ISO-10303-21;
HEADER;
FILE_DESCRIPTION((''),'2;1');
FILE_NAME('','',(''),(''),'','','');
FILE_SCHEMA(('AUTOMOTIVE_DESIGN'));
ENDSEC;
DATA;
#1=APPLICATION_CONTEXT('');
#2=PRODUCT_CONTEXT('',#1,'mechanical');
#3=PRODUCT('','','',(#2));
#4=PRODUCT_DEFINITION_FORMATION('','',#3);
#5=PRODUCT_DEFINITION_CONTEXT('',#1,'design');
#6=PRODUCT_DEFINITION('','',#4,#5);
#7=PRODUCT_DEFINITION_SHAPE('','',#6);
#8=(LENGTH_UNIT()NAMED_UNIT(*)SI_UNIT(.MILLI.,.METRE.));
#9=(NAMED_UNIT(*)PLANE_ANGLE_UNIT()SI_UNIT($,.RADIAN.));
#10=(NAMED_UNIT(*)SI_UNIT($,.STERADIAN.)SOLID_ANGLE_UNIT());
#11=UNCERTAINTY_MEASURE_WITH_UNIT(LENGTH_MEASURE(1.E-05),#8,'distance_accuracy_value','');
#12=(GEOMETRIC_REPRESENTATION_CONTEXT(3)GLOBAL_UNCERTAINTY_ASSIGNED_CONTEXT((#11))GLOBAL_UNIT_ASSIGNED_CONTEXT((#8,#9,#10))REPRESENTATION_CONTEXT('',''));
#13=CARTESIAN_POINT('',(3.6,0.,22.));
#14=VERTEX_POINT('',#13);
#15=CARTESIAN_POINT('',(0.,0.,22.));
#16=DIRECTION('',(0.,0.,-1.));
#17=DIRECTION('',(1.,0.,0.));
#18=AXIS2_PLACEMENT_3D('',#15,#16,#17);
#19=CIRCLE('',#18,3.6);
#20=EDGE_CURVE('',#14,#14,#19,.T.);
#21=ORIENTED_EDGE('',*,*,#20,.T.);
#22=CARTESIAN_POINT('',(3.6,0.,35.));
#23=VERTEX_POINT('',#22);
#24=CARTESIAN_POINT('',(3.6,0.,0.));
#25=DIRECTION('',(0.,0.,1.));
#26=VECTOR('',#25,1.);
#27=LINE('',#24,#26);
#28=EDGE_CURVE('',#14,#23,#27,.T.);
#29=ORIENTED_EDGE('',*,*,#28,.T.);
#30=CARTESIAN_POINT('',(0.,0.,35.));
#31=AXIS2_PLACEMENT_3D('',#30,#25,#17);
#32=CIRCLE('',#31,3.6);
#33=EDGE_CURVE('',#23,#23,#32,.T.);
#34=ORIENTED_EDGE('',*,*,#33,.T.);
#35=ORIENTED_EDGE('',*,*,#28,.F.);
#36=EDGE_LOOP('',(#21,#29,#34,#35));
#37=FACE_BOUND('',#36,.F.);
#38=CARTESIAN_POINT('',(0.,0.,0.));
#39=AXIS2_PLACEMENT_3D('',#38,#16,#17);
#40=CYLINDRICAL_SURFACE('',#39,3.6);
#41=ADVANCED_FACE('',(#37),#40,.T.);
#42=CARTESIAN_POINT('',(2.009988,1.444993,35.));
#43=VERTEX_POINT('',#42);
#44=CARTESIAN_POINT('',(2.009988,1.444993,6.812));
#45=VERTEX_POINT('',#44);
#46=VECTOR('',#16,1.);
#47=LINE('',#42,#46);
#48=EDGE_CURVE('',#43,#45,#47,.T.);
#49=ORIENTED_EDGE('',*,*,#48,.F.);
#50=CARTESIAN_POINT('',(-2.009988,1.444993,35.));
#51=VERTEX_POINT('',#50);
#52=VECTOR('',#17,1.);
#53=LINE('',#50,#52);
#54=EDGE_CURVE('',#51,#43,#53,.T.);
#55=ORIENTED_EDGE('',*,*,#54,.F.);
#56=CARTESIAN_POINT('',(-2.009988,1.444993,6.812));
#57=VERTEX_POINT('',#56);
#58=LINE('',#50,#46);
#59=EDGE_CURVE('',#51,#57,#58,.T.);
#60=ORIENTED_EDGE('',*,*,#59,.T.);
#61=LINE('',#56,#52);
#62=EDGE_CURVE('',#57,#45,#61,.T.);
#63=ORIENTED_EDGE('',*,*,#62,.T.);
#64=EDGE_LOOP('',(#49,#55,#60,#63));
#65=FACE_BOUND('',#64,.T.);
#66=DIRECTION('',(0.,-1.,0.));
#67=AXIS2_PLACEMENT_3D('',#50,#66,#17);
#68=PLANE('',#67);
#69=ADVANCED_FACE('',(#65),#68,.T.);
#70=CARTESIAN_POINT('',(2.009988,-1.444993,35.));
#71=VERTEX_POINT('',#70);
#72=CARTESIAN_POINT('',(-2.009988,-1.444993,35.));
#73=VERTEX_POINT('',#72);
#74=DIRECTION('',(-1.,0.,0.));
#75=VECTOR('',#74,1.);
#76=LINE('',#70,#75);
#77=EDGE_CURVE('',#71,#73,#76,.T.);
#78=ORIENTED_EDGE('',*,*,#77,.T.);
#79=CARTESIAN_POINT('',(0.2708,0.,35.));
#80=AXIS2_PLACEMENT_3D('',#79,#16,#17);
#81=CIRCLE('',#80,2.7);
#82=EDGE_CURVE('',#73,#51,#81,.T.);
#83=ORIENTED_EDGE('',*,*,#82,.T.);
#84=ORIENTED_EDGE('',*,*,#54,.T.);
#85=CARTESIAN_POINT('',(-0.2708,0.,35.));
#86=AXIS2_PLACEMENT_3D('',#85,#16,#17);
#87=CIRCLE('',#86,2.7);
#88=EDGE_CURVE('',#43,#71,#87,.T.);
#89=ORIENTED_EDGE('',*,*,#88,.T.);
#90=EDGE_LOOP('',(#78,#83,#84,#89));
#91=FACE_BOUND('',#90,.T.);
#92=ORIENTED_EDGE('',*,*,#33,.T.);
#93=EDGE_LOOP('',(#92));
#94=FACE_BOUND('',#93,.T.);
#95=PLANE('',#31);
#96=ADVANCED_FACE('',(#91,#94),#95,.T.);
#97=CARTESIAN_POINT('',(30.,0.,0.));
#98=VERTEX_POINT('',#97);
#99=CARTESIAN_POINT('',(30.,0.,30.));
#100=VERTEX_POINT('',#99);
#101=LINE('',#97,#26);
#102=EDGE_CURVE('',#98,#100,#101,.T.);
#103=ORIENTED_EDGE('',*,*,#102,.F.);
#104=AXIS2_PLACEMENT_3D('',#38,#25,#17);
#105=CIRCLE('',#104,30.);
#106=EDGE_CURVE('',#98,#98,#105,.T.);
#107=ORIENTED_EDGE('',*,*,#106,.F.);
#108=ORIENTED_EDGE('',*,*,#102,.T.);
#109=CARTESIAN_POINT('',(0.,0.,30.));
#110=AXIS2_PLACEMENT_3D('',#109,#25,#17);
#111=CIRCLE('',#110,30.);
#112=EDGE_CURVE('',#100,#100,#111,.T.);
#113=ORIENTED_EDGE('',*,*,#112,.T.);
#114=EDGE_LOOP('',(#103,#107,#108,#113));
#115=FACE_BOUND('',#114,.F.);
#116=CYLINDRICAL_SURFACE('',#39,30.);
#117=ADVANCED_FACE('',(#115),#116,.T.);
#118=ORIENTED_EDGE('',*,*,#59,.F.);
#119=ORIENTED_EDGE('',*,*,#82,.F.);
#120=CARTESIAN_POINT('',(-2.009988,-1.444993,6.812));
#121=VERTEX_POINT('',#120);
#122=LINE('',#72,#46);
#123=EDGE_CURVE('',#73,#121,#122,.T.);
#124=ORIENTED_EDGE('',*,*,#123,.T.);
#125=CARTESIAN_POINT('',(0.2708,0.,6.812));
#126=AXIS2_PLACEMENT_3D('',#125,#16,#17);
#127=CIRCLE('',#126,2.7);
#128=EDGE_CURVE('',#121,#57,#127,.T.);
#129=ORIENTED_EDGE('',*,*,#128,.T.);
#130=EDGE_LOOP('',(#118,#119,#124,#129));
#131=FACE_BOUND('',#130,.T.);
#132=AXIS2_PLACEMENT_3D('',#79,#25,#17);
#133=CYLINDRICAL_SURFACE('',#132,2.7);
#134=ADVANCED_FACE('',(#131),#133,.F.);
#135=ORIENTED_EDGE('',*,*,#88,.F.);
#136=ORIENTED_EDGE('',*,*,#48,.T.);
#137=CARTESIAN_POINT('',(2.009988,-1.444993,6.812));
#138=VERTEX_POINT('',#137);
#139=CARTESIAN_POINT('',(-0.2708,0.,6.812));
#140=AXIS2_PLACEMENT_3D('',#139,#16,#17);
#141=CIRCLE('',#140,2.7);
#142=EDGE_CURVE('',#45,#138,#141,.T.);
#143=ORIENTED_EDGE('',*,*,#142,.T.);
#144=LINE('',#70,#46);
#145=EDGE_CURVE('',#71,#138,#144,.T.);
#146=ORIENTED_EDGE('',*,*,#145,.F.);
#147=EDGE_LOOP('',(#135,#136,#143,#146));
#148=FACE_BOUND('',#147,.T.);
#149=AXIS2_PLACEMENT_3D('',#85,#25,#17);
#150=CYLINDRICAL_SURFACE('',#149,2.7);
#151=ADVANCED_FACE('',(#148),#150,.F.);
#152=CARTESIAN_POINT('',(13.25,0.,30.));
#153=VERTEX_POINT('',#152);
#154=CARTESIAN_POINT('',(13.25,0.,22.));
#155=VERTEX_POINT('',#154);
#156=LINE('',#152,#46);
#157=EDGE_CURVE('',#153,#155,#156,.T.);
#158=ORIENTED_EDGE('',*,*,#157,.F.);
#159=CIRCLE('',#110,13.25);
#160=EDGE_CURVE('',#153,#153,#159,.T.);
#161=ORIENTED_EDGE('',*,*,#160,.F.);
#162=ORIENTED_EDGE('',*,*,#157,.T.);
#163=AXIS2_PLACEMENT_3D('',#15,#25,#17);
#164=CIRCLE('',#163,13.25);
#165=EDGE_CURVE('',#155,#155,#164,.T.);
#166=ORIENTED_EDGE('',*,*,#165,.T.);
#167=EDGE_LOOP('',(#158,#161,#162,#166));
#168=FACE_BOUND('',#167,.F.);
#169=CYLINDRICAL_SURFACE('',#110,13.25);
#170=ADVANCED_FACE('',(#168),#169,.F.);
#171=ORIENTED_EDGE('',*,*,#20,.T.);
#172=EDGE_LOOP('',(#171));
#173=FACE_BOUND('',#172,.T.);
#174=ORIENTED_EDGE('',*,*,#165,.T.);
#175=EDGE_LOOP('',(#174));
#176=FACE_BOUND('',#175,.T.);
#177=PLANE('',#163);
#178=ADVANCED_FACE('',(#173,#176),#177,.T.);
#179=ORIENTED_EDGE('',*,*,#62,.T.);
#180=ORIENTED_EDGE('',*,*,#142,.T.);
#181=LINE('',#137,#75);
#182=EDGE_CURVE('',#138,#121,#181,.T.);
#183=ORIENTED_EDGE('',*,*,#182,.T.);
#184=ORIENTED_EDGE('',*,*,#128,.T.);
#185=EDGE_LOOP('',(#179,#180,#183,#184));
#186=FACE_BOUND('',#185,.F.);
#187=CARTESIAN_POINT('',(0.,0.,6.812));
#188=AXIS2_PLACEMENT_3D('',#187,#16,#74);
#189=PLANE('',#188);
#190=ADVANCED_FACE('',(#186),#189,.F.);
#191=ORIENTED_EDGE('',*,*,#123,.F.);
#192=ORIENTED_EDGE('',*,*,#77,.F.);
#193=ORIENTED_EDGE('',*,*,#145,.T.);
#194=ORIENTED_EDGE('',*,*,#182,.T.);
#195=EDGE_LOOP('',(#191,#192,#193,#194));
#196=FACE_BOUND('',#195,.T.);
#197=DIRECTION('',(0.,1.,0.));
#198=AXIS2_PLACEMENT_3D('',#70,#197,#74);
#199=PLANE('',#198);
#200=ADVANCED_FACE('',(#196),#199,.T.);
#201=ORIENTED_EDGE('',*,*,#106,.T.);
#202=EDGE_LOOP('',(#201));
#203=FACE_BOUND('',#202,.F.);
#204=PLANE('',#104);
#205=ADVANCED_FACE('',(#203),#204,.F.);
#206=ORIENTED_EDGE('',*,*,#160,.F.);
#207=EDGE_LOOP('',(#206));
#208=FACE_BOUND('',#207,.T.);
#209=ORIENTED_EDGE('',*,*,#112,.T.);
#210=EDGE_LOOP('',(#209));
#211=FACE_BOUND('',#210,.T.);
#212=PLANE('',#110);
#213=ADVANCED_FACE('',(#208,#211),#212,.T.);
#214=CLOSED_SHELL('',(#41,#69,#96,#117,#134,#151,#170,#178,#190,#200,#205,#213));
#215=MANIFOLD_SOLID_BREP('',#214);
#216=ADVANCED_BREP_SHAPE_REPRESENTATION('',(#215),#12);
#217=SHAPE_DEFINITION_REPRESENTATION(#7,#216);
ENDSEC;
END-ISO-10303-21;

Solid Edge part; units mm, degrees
sketch "Sketch1" plane through (0, 0, 0) normal (0, 0, 1) x (1, 0, 0)
  circle A0 centre (0, 0) radius 30
  dimension "D1" = 60
extrude "Ajout_matière_1" add sketch "Sketch1" along normal blind 30
sketch "Sketch2" plane through (0, 0, 30) normal (0, 0, 1) x (1, 0, 0)
  circle A0 centre (0, 0) radius 13.25
  dimension "D1" = 26.5
extrude "Enlèvement_matière_1" cut sketch "Sketch2" against normal blind 8
sketch "Sketch3" plane through (0, 0, 0) normal (0, 0, 1) x (1, 0, 0)
  circle A0 centre (0, 0) radius 3.6
  dimension "D1" = 7.2
extrude "Ajout_matière_2" add sketch "Sketch3" along normal blind 35
sketch "Sketch4" plane through (0, 0, 35) normal (0, 0, 1) x (1, 0, 0)
  line L0 (-2.01, 1.445) -> (2.01, 1.445)
  arc A0 (2.01, 1.445) -> (2.01, -1.445) centre (-0.2708, 0) cw
  line L1 (2.01, -1.445) -> (-2.01, -1.445)
  arc A1 (-2.01, -1.445) -> (-2.01, 1.445) centre (0.2708, 0) cw
  dimension "D1" = 4.02
  dimension "D2" = 2.7
  dimension "D3" = 2.7
extrude "Enlèvement_matière_2" cut sketch "Sketch4" against normal blind 28.188
properties material "Acier S235"
